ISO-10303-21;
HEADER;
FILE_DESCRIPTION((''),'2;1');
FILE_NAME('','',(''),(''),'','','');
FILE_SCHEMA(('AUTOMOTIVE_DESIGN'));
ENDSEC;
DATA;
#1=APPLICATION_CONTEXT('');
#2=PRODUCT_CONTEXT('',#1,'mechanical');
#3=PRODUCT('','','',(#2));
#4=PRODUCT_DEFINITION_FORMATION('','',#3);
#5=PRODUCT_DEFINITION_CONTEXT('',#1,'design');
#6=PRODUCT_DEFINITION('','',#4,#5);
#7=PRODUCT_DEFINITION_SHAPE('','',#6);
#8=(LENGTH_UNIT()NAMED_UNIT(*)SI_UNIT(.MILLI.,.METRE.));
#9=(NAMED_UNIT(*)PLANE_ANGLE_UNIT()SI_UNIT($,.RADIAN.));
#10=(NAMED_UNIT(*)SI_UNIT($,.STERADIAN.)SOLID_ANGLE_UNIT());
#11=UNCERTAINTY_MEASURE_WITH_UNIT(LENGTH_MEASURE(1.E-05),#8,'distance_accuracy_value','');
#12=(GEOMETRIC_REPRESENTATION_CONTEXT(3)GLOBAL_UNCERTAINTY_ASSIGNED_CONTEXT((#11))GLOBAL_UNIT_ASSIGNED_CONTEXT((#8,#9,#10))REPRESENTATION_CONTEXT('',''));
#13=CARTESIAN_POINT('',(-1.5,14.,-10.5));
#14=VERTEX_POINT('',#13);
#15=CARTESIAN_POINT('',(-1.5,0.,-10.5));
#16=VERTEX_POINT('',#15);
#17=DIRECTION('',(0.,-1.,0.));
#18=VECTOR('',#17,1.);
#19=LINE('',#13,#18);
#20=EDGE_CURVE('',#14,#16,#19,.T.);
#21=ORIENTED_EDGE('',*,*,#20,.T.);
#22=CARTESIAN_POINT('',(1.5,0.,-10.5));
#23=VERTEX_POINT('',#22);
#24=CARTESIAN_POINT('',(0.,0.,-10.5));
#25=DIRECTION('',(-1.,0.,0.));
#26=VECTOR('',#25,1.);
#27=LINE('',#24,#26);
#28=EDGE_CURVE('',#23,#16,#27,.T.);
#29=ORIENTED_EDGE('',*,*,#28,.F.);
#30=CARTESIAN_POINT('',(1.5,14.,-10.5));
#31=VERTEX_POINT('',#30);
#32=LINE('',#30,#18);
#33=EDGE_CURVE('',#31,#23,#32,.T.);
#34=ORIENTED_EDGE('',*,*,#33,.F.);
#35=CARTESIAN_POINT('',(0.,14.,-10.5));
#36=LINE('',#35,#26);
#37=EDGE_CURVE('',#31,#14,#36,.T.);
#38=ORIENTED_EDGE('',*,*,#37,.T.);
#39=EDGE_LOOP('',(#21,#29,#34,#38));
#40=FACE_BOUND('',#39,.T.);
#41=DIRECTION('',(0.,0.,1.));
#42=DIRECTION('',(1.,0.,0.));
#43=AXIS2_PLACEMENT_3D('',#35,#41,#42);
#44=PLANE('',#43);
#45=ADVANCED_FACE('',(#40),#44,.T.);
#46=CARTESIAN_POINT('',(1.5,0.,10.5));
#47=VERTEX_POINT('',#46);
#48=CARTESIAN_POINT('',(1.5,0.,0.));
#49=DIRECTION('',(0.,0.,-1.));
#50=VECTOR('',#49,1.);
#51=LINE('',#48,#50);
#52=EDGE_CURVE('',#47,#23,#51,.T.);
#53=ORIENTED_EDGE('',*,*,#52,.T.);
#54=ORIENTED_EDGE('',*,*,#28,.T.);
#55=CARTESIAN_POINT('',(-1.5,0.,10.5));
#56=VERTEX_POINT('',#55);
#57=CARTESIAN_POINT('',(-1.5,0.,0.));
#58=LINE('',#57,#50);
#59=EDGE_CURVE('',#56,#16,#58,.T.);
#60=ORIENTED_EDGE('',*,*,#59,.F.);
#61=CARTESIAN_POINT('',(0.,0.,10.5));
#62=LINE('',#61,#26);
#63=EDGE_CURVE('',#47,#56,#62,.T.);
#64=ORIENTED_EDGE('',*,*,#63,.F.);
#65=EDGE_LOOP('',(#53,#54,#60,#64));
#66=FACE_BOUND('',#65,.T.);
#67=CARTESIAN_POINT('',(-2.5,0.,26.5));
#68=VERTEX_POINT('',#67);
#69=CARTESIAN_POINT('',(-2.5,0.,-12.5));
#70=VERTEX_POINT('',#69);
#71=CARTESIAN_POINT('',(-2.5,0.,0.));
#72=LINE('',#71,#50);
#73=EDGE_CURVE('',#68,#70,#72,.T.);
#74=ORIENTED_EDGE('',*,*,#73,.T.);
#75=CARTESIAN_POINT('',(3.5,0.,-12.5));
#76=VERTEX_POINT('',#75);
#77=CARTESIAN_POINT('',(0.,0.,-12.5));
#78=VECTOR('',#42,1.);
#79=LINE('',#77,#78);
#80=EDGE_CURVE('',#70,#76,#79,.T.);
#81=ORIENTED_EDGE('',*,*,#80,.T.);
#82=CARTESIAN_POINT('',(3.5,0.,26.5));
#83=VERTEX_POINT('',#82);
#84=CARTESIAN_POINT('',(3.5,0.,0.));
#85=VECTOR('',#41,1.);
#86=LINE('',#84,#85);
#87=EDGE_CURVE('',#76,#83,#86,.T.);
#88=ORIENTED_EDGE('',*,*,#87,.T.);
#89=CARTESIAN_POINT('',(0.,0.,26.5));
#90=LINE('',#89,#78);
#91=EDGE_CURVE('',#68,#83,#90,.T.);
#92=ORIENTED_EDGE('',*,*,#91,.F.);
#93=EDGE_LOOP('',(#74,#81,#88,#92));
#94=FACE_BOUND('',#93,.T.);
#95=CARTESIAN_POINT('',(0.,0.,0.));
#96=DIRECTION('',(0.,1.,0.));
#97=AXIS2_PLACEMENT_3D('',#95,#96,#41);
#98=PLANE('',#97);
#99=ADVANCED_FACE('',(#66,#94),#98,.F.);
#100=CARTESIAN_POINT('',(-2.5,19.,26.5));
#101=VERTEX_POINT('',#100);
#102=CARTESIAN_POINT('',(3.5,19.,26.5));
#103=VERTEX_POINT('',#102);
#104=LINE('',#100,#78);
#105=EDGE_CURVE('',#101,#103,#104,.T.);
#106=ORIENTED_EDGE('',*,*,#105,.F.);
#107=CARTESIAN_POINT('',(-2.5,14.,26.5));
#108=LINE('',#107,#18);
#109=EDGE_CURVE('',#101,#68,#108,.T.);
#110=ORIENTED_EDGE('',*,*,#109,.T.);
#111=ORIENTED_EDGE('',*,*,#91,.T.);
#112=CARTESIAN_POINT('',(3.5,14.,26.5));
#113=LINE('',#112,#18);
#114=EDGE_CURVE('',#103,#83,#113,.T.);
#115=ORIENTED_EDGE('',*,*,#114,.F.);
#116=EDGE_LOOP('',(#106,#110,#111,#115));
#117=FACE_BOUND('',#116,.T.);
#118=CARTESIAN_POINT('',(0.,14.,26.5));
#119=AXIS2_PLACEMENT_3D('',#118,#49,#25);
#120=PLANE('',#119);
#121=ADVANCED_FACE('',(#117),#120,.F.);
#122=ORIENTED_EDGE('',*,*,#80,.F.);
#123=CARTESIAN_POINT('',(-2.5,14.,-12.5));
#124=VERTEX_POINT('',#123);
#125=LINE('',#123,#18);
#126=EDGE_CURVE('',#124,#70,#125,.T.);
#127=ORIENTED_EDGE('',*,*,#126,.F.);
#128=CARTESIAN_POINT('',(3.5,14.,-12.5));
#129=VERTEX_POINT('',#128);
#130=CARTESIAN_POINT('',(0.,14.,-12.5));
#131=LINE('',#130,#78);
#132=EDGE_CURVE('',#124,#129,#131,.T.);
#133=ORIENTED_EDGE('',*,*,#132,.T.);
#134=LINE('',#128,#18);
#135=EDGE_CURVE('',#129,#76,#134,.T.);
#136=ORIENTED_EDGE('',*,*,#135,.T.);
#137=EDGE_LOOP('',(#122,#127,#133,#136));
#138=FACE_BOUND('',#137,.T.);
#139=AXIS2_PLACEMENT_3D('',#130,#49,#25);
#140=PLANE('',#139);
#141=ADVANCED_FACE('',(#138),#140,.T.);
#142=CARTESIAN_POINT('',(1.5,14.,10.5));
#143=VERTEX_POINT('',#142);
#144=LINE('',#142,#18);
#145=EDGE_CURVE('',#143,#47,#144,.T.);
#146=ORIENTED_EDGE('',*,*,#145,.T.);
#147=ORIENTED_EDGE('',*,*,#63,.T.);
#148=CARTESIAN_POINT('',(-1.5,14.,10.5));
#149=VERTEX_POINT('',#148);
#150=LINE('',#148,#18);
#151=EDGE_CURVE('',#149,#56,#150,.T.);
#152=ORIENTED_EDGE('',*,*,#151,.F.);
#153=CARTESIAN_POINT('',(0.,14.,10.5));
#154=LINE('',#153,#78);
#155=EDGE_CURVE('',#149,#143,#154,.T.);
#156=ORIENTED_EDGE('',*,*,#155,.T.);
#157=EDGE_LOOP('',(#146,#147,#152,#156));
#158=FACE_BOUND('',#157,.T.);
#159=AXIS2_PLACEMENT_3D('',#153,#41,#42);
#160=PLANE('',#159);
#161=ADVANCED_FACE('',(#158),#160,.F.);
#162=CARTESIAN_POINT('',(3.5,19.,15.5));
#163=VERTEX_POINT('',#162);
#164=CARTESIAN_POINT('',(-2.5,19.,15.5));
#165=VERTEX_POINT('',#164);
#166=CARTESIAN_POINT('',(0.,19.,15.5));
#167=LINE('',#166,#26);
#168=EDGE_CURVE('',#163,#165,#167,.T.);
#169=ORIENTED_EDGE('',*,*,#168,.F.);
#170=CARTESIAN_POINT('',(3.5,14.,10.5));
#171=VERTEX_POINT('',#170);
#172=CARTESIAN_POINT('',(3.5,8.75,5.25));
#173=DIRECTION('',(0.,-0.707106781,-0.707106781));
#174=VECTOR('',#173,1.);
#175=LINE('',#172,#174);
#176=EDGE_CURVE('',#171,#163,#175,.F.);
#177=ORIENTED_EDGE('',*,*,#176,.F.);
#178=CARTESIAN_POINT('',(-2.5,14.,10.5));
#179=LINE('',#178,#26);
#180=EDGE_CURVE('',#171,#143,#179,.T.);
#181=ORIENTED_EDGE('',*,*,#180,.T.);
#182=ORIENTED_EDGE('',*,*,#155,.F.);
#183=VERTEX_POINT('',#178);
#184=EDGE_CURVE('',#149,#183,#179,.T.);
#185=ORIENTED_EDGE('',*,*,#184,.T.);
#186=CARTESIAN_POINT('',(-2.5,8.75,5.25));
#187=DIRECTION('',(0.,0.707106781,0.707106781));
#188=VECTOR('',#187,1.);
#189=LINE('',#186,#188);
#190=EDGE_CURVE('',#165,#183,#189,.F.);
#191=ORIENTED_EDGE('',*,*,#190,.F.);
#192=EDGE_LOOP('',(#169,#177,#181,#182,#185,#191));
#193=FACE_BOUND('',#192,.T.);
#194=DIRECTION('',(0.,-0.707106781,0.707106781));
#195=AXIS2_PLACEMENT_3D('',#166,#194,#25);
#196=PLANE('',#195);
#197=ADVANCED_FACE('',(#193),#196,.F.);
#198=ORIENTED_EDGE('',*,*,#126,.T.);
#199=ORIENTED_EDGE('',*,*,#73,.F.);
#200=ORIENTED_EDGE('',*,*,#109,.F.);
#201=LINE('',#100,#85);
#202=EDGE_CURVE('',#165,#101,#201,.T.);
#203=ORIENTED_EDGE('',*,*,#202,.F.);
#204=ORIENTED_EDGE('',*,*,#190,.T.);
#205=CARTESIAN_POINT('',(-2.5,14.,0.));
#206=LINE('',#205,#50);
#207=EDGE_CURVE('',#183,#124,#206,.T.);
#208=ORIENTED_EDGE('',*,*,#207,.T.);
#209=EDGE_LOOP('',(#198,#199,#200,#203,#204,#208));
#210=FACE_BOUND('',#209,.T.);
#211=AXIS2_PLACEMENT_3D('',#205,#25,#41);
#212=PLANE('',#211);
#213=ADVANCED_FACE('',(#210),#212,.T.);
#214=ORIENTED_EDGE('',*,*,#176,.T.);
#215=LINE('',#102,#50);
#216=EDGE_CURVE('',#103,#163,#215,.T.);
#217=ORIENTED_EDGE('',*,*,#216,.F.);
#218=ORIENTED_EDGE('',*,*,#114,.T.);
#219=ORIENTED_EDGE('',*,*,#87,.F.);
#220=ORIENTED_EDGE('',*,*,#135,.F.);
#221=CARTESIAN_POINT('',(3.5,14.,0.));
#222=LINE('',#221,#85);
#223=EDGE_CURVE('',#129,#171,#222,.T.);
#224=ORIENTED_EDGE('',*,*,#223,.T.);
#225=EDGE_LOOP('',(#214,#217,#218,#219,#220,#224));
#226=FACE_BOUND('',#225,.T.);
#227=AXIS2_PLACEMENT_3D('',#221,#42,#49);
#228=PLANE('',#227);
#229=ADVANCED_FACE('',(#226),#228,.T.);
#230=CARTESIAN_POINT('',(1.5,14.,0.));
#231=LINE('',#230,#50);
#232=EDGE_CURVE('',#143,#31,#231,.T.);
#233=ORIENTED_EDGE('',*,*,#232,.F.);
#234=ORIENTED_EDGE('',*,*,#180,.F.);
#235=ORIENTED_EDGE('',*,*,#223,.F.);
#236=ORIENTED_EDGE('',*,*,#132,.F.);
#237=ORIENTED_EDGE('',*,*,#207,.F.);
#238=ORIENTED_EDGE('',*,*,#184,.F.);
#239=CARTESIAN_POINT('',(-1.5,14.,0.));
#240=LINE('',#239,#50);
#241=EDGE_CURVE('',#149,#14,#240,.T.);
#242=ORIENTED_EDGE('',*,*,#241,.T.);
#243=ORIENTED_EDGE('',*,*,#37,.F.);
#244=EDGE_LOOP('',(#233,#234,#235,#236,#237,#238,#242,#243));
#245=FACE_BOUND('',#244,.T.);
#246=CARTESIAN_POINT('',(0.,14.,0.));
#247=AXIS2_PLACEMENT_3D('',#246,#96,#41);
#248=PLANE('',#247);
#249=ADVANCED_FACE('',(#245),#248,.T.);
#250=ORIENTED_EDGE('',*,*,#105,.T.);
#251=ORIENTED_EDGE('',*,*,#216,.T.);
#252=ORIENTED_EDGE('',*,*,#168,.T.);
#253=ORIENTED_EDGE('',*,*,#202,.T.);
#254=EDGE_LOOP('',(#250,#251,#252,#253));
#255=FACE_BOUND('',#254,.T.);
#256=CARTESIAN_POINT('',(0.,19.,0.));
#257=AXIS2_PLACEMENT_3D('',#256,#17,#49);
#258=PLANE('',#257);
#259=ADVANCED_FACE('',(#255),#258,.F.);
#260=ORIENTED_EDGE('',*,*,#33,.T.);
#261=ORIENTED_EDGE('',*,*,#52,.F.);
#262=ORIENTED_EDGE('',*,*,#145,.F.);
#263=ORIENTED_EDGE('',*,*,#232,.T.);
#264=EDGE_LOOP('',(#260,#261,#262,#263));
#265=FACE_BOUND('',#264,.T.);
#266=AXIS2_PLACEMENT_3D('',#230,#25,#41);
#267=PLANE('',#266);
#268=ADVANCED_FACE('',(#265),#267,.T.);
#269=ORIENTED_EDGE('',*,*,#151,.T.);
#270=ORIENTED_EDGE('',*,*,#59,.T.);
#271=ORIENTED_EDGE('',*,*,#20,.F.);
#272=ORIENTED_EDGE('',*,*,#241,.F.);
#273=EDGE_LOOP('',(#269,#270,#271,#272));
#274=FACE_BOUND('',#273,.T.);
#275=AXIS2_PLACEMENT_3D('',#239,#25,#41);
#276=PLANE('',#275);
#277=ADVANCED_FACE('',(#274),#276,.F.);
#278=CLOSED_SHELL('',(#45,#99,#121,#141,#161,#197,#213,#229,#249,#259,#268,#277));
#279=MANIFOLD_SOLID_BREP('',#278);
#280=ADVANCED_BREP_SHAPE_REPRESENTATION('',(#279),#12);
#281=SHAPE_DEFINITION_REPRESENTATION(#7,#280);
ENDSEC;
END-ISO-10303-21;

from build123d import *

# Parameters (mm, degrees)
EXTRUDE_2_DEPTH = 14
SKETCH_3_W      = 6
SKETCH_3_H      = 16
EXTRUDE_3_DEPTH = 5
CHAMFER_1_SIZE  = 5


with BuildPart() as part:
    # Эскиз1 → Бобышка-Вытянуть2 (new body)
    with BuildSketch(Plane(origin=(0, 0, 0), x_dir=(1, 0, 0), z_dir=(0, 1, 0))):
        Polygon((-2.5, -26.5), (-1.5, -26.5), (3.5, -26.5), (3.5, -12.5), (3.5, -7.973274813), (3.5, 12.5), (-1.5, 12.5), (-2.5, 12.5), align=None)
        Polygon((1.5, -10.5), (-1.5, -10.5), (-1.5, -5.357142857), (-1.5, 5.357142857), (-1.5, 10.5), (1.5, 10.5), align=None, mode=Mode.SUBTRACT)
    extrude(amount=EXTRUDE_2_DEPTH)

    # Эскиз3 → Бобышка-Вытянуть3 (add)
    with BuildSketch(Plane(origin=(0, 14, 0), x_dir=(1, 0, 0), z_dir=(0, 1, 0))):
        with Locations((0.5, -18.5)):
            Rectangle(SKETCH_3_W, SKETCH_3_H)
    extrude(amount=EXTRUDE_3_DEPTH)

    # Фаска1
    chamfer_1_edges = [part.edges().sort_by_distance(p)[0] for p in [
        (0.5, 19, 10.5),
    ]]
    chamfer(chamfer_1_edges, length=CHAMFER_1_SIZE)


solid = part.part
